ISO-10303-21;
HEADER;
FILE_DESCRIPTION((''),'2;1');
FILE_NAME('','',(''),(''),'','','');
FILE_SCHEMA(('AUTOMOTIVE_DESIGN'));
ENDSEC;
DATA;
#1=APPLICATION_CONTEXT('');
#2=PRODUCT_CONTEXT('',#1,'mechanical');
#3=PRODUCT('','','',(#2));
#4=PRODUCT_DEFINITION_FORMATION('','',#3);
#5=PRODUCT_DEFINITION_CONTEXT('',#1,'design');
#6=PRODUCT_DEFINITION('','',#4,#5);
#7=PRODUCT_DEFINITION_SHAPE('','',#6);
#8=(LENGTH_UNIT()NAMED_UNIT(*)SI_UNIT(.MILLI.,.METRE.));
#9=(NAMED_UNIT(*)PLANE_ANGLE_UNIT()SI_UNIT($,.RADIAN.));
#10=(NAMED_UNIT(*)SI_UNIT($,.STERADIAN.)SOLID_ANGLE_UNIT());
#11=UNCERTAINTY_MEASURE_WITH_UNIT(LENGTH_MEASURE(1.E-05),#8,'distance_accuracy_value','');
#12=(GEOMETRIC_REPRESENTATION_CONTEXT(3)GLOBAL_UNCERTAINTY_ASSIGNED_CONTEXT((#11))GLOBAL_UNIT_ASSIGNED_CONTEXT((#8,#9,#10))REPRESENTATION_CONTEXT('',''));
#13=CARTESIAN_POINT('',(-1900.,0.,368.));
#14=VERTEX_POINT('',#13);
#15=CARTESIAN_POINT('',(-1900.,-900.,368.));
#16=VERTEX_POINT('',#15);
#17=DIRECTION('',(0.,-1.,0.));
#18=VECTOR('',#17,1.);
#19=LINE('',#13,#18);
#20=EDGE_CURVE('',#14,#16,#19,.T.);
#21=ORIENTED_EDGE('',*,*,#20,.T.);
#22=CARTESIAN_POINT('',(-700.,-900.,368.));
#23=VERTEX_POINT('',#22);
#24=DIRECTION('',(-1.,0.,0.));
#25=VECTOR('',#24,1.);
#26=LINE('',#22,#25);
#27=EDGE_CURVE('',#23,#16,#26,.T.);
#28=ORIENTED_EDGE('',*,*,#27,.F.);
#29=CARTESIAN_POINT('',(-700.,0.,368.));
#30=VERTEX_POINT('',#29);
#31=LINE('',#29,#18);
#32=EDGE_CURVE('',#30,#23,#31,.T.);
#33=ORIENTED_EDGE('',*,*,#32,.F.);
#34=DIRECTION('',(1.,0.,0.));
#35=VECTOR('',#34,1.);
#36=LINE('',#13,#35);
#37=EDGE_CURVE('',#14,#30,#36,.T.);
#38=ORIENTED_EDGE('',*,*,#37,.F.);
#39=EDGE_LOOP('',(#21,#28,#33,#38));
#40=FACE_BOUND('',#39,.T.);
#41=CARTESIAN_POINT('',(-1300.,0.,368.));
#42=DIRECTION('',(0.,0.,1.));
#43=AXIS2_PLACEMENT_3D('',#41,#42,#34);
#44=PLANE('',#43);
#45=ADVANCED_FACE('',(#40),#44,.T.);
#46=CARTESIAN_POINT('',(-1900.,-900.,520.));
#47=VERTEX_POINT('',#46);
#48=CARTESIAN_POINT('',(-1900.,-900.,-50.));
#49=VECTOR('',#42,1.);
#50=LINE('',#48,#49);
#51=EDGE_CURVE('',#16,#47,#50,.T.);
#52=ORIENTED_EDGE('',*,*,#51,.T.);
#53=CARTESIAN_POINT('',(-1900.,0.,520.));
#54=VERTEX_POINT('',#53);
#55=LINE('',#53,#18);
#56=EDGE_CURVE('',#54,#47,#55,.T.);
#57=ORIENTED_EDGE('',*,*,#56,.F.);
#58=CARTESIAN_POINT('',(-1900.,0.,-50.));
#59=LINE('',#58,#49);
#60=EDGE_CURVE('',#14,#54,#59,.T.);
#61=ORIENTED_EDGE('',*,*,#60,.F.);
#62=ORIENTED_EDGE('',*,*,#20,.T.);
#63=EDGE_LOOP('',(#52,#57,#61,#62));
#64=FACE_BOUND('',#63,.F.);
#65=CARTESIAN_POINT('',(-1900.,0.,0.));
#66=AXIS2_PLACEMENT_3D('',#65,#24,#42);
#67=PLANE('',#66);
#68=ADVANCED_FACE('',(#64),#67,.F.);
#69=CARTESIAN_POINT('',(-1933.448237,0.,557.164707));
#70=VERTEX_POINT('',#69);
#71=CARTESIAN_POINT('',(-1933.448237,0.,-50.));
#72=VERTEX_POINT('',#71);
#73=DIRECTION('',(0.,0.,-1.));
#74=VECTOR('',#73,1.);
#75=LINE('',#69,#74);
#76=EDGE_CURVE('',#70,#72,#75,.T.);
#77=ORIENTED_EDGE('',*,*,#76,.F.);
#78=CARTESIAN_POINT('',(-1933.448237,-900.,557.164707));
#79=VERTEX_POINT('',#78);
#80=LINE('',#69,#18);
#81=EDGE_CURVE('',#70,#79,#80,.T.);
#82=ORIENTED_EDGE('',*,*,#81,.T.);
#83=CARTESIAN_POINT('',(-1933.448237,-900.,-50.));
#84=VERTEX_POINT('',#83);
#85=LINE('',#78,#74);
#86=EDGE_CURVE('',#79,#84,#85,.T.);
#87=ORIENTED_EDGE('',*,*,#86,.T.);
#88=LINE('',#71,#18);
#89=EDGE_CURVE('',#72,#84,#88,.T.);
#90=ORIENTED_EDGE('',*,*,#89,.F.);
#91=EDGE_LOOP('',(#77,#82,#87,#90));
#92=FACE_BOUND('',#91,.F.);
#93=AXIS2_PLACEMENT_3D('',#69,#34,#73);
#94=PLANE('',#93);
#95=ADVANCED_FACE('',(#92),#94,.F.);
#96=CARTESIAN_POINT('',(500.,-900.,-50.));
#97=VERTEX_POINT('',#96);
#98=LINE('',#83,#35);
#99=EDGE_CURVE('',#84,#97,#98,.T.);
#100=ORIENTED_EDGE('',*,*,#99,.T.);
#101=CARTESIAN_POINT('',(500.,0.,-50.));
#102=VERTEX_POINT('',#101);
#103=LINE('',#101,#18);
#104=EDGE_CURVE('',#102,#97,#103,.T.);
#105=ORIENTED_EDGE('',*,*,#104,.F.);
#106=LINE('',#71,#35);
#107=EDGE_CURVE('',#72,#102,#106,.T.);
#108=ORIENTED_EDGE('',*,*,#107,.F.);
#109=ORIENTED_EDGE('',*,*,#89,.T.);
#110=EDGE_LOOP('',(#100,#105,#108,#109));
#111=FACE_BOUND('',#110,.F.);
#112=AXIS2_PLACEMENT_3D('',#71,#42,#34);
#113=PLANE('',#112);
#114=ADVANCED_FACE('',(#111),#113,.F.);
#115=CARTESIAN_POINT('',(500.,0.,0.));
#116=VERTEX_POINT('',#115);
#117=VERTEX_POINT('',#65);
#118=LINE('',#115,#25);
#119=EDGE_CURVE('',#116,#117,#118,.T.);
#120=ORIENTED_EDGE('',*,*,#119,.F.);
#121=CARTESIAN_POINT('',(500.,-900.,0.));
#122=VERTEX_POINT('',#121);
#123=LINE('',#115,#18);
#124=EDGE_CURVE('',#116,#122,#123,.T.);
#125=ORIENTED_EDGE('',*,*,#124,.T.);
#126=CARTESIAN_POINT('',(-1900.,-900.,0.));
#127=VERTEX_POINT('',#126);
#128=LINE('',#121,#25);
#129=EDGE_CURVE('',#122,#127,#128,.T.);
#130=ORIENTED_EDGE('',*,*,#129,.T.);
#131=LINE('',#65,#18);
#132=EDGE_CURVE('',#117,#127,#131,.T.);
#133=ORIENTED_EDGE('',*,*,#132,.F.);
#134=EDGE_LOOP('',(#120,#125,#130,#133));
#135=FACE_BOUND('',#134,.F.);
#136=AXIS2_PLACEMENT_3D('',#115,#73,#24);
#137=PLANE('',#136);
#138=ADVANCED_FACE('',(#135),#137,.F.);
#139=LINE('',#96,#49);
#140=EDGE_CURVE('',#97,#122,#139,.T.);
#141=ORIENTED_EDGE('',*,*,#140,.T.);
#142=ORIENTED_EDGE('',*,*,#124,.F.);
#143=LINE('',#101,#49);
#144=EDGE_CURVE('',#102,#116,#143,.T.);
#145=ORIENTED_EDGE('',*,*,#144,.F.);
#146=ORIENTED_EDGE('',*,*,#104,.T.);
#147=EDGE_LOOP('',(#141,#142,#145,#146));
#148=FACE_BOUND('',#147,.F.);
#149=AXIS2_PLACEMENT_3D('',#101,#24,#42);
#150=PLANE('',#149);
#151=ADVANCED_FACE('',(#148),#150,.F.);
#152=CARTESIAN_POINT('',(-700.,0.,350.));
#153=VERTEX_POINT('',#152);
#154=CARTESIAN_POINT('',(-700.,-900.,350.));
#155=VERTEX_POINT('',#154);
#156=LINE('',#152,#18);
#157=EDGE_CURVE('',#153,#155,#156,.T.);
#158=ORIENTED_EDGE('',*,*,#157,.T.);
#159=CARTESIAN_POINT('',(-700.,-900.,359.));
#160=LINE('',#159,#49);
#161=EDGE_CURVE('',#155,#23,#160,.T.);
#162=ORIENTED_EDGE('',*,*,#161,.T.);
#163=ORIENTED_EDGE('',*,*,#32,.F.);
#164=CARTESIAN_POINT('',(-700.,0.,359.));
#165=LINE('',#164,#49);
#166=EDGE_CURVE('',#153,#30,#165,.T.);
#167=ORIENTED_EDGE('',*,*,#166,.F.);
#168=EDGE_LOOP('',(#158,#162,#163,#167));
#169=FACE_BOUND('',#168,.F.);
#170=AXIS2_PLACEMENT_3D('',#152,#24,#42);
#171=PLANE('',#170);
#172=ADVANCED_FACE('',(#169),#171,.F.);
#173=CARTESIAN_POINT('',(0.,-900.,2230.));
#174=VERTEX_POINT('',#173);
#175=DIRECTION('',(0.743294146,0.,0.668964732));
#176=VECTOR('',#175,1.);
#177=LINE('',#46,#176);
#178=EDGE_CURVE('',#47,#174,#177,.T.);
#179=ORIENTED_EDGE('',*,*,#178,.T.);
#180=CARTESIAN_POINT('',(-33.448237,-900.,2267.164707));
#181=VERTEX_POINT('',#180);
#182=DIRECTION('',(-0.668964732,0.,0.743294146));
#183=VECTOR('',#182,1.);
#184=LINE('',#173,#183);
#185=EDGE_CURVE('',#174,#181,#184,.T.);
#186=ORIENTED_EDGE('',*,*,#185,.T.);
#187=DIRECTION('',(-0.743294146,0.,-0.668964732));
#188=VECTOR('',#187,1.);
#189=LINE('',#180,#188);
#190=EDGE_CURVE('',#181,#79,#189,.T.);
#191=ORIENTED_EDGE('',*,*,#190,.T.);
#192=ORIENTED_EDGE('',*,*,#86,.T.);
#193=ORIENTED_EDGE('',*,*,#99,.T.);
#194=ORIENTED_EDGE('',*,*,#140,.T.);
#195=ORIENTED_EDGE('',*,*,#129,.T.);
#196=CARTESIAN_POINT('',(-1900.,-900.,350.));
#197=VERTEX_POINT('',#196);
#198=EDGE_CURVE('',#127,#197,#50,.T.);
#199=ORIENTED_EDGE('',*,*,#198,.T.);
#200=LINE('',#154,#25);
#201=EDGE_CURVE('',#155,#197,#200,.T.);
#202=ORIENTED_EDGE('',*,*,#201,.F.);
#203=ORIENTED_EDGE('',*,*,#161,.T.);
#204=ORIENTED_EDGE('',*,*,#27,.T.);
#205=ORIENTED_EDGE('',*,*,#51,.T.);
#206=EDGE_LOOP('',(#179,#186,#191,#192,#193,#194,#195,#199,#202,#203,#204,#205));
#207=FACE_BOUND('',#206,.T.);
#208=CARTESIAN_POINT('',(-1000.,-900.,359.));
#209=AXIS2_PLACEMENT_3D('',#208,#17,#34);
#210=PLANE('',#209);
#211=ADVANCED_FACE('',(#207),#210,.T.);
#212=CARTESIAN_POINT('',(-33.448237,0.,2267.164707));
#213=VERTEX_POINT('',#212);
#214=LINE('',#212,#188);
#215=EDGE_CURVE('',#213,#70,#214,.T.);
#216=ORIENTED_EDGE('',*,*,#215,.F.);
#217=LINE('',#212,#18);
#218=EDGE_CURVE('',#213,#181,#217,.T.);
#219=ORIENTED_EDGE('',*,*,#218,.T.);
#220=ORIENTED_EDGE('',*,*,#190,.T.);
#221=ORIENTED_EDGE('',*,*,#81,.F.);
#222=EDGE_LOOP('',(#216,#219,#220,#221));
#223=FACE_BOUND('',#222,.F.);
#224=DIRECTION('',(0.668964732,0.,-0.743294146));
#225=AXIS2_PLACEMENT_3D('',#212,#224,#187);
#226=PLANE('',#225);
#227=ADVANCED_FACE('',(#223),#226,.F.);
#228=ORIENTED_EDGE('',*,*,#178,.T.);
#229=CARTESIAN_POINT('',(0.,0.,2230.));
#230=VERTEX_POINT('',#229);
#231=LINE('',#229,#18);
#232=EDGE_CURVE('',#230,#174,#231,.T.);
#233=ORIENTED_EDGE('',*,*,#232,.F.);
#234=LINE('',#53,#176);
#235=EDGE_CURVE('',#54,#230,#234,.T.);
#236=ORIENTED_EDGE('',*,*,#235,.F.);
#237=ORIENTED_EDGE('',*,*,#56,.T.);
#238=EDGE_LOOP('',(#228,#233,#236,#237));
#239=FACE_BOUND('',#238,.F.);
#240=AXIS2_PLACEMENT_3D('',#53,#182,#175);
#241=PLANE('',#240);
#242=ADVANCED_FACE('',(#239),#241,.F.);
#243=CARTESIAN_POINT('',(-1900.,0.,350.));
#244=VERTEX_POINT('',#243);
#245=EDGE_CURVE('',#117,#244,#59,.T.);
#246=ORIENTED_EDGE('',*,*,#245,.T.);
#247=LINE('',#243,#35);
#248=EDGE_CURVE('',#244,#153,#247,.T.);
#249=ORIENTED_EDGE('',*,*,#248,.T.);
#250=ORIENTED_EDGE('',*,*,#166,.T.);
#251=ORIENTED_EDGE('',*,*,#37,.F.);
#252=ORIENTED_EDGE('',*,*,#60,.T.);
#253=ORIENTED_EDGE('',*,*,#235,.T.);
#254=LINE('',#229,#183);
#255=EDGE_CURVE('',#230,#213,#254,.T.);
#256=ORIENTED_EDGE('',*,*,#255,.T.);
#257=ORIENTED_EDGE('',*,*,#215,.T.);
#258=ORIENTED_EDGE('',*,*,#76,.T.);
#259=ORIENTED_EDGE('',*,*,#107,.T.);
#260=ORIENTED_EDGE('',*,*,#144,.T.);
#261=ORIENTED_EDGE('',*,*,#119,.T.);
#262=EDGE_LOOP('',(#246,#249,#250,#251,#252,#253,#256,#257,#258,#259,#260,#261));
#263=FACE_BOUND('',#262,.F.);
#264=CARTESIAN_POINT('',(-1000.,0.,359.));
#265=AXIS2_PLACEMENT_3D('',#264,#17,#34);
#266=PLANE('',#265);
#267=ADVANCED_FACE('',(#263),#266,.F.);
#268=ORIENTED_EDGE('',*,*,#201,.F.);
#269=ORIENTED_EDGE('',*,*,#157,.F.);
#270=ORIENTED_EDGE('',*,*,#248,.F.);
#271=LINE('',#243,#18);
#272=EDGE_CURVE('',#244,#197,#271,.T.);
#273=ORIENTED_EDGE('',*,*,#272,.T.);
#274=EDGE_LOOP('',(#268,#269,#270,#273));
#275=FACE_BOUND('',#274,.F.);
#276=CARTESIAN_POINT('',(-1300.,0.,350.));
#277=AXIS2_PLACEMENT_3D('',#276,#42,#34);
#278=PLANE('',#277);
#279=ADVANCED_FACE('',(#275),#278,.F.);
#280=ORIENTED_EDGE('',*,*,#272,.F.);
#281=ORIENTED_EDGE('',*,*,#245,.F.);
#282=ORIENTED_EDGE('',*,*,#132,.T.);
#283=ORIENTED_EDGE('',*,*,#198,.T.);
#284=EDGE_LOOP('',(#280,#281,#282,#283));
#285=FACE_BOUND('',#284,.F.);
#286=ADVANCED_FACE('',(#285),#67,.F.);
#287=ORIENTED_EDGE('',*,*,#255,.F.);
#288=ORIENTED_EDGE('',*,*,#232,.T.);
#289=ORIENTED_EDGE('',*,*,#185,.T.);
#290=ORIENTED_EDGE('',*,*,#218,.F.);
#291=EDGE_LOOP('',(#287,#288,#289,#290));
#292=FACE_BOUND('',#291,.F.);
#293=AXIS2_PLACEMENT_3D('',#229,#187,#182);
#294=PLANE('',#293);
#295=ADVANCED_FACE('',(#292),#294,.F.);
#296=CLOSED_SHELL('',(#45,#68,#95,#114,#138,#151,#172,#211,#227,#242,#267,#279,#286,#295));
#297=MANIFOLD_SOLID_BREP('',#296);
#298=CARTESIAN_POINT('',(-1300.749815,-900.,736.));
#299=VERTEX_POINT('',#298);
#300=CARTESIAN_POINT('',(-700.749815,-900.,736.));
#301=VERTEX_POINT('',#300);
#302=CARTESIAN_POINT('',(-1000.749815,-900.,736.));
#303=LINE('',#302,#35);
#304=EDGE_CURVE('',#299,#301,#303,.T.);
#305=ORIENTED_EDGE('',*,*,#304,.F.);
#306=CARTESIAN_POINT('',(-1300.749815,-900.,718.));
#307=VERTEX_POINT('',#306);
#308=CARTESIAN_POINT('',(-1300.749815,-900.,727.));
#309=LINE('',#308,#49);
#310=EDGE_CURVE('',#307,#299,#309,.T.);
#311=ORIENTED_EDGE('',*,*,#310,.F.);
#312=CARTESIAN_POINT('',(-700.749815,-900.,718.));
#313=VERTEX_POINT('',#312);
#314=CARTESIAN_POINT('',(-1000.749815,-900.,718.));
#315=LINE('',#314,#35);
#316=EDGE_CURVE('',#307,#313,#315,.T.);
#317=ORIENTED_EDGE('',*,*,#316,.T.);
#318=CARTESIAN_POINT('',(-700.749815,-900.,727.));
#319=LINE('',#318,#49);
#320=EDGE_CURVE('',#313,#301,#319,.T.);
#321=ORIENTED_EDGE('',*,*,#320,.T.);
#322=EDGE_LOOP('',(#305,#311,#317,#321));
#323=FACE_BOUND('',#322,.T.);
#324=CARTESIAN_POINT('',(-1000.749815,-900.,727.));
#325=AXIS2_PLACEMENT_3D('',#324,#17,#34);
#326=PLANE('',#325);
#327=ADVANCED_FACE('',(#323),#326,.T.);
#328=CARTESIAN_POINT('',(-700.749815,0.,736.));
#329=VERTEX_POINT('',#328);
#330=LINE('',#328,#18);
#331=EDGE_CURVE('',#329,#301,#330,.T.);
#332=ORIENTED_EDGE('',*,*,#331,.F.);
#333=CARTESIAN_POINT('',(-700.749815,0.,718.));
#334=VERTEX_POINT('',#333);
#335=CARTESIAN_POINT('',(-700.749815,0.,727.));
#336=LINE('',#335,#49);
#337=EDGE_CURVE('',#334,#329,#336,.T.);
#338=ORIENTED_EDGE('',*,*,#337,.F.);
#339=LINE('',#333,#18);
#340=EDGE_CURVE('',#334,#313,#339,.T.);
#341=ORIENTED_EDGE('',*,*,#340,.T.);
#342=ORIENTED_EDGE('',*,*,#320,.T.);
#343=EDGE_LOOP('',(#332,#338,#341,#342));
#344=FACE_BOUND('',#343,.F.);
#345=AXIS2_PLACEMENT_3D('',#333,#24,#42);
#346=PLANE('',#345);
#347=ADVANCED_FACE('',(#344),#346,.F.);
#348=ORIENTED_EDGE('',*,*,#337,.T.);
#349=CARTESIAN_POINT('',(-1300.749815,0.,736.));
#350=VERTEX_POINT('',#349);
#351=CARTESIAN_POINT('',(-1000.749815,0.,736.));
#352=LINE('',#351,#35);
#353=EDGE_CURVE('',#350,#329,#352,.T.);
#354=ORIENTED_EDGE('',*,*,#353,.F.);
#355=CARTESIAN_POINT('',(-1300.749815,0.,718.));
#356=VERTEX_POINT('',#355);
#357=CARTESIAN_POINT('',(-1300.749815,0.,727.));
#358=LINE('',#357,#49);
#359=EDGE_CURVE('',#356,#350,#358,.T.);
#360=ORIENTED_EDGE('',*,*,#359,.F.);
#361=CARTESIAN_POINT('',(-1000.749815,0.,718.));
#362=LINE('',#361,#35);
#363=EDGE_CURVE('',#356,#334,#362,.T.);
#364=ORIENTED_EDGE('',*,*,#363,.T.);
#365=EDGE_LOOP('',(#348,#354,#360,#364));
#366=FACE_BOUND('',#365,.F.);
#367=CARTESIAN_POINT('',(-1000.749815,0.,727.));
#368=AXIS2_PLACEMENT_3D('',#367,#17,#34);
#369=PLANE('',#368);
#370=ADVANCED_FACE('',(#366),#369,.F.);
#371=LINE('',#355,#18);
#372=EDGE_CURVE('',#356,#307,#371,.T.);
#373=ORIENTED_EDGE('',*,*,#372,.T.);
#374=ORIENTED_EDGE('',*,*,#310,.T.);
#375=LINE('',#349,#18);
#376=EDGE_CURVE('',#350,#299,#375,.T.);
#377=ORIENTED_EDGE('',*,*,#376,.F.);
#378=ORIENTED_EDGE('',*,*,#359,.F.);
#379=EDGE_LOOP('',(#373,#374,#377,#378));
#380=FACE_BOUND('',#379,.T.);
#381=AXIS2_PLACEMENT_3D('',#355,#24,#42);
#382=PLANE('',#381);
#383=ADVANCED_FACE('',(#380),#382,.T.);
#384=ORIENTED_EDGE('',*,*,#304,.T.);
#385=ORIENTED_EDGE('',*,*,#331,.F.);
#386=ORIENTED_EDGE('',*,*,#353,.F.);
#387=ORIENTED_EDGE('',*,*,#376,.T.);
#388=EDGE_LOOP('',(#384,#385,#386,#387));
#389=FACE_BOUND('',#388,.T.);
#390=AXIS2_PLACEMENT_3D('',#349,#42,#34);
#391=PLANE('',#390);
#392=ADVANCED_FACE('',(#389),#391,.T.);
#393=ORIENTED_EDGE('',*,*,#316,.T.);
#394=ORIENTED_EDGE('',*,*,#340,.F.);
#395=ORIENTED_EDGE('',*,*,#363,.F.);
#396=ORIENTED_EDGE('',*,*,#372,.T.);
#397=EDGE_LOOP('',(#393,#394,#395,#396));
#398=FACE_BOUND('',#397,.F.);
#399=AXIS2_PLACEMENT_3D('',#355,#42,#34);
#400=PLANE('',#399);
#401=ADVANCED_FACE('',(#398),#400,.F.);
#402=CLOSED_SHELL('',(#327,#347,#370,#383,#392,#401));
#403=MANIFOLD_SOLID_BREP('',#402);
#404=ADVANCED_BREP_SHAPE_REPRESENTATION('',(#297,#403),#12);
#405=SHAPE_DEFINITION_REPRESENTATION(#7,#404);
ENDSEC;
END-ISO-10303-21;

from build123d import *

# Parameters (mm, degrees)
F1_DEPTH = 900
F2_W     = 600
F2_H     = 18
F3_DEPTH = 900
F4_DEPTH = 900
F5_DEPTH = 900


with BuildPart() as f1:
    # F0 (on Front) → F1 (new body)
    with BuildSketch(Plane.XZ):
        Polygon((-1900, 520), (0, 2230), (-33.4482365811, 2267.1647073124), (-1933.4482365811, 557.1647073124), align=None)
        Polygon((-1900, -50), (-1900, 0), (-1900, 520), (-1933.4482365811, 557.1647073124), (-1933.4482365811, -50), align=None)
        Polygon((500, 0), (0, 0), (-1900, 0), (-1900, -50), (500, -50), align=None)
    extrude(amount=F1_DEPTH)

    # F2 (on face) → F3 (join)
    with BuildSketch(Plane.XZ):
        with Locations((-1600, 359)):
            Rectangle(F2_W, F2_H)
    extrude(amount=F3_DEPTH)

    # F2 (on face) → F4 (join)
    with BuildSketch(Plane.XZ):
        with Locations((-1000, 359)):
            Rectangle(F2_W, F2_H)
    extrude(amount=F4_DEPTH)


with BuildPart() as f5:
    # F2 (on face) → F5 (new body)
    with BuildSketch(Plane.XZ):
        with Locations((-1000.7498145103, 727)):
            Rectangle(F2_W, F2_H)
    extrude(amount=F5_DEPTH)


solid = Compound([f1.part, f5.part])
